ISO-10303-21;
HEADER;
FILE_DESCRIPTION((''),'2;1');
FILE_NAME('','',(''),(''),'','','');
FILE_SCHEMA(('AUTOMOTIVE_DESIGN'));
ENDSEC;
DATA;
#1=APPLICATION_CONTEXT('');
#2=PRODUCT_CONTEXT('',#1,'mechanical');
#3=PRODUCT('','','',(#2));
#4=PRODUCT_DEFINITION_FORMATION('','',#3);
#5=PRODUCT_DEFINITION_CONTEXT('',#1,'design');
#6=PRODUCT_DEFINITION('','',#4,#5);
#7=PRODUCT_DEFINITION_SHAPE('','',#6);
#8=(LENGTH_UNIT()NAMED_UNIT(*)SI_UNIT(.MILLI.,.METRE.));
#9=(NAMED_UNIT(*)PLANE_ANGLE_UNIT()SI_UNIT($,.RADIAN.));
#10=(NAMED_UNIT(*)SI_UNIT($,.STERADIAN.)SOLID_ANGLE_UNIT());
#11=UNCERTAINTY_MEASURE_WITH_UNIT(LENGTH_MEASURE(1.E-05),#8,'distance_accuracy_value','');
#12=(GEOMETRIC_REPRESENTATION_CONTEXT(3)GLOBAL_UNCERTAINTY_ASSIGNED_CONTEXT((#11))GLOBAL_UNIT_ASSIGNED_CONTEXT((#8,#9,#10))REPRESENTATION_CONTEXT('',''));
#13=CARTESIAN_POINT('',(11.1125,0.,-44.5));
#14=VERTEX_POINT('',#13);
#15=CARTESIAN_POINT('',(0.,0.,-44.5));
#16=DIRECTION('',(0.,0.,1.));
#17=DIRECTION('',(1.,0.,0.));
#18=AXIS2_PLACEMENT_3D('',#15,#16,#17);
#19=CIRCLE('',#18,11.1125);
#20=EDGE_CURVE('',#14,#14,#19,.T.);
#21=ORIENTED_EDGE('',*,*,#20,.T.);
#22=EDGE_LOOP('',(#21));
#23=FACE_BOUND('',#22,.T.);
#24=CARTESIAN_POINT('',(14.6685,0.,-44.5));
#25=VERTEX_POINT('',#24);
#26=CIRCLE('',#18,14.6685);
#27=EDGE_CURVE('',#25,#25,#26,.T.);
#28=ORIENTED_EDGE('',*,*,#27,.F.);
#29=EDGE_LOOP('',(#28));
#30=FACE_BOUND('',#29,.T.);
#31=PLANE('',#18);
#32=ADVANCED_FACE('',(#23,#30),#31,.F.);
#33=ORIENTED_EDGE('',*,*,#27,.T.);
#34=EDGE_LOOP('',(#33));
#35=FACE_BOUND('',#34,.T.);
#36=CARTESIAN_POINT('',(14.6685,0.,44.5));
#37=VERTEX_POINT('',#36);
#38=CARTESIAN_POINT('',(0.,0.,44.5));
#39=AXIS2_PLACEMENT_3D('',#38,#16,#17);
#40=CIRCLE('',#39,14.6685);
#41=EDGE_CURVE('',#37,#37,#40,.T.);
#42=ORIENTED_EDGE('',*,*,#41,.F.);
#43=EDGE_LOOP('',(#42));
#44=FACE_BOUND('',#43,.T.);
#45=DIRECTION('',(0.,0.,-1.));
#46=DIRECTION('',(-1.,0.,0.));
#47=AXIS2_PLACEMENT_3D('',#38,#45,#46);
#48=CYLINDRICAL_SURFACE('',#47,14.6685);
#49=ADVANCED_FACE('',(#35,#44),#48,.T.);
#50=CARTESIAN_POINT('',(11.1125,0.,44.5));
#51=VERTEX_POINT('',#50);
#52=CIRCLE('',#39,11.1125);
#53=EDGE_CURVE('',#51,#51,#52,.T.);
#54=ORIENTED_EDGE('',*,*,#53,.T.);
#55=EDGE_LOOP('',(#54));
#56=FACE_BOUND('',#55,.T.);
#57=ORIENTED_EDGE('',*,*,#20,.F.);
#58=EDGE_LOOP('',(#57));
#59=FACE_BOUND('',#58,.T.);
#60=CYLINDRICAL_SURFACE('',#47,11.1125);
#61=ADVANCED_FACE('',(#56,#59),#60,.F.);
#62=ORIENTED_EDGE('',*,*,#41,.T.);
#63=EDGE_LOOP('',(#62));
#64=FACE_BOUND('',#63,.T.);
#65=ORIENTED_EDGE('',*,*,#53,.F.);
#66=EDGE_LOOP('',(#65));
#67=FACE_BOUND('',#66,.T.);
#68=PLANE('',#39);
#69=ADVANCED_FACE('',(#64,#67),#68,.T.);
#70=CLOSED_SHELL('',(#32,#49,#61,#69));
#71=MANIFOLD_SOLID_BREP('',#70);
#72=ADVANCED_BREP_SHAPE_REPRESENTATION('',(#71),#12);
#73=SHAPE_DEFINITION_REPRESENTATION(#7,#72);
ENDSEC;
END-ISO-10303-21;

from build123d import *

# Parameters (mm, degrees)
SKETCH1_R           = 14.6685
SKETCH1_R_2         = 11.1125
BOSS_EXTRUDE1_DEPTH = 44.5


with BuildPart() as part:
    # Sketch1 → Boss-Extrude1 (new, symmetric)
    with BuildSketch(Plane.XY):
        Circle(SKETCH1_R)
        Circle(SKETCH1_R_2, mode=Mode.SUBTRACT)
    extrude(amount=BOSS_EXTRUDE1_DEPTH, both=True)


solid = part.part
